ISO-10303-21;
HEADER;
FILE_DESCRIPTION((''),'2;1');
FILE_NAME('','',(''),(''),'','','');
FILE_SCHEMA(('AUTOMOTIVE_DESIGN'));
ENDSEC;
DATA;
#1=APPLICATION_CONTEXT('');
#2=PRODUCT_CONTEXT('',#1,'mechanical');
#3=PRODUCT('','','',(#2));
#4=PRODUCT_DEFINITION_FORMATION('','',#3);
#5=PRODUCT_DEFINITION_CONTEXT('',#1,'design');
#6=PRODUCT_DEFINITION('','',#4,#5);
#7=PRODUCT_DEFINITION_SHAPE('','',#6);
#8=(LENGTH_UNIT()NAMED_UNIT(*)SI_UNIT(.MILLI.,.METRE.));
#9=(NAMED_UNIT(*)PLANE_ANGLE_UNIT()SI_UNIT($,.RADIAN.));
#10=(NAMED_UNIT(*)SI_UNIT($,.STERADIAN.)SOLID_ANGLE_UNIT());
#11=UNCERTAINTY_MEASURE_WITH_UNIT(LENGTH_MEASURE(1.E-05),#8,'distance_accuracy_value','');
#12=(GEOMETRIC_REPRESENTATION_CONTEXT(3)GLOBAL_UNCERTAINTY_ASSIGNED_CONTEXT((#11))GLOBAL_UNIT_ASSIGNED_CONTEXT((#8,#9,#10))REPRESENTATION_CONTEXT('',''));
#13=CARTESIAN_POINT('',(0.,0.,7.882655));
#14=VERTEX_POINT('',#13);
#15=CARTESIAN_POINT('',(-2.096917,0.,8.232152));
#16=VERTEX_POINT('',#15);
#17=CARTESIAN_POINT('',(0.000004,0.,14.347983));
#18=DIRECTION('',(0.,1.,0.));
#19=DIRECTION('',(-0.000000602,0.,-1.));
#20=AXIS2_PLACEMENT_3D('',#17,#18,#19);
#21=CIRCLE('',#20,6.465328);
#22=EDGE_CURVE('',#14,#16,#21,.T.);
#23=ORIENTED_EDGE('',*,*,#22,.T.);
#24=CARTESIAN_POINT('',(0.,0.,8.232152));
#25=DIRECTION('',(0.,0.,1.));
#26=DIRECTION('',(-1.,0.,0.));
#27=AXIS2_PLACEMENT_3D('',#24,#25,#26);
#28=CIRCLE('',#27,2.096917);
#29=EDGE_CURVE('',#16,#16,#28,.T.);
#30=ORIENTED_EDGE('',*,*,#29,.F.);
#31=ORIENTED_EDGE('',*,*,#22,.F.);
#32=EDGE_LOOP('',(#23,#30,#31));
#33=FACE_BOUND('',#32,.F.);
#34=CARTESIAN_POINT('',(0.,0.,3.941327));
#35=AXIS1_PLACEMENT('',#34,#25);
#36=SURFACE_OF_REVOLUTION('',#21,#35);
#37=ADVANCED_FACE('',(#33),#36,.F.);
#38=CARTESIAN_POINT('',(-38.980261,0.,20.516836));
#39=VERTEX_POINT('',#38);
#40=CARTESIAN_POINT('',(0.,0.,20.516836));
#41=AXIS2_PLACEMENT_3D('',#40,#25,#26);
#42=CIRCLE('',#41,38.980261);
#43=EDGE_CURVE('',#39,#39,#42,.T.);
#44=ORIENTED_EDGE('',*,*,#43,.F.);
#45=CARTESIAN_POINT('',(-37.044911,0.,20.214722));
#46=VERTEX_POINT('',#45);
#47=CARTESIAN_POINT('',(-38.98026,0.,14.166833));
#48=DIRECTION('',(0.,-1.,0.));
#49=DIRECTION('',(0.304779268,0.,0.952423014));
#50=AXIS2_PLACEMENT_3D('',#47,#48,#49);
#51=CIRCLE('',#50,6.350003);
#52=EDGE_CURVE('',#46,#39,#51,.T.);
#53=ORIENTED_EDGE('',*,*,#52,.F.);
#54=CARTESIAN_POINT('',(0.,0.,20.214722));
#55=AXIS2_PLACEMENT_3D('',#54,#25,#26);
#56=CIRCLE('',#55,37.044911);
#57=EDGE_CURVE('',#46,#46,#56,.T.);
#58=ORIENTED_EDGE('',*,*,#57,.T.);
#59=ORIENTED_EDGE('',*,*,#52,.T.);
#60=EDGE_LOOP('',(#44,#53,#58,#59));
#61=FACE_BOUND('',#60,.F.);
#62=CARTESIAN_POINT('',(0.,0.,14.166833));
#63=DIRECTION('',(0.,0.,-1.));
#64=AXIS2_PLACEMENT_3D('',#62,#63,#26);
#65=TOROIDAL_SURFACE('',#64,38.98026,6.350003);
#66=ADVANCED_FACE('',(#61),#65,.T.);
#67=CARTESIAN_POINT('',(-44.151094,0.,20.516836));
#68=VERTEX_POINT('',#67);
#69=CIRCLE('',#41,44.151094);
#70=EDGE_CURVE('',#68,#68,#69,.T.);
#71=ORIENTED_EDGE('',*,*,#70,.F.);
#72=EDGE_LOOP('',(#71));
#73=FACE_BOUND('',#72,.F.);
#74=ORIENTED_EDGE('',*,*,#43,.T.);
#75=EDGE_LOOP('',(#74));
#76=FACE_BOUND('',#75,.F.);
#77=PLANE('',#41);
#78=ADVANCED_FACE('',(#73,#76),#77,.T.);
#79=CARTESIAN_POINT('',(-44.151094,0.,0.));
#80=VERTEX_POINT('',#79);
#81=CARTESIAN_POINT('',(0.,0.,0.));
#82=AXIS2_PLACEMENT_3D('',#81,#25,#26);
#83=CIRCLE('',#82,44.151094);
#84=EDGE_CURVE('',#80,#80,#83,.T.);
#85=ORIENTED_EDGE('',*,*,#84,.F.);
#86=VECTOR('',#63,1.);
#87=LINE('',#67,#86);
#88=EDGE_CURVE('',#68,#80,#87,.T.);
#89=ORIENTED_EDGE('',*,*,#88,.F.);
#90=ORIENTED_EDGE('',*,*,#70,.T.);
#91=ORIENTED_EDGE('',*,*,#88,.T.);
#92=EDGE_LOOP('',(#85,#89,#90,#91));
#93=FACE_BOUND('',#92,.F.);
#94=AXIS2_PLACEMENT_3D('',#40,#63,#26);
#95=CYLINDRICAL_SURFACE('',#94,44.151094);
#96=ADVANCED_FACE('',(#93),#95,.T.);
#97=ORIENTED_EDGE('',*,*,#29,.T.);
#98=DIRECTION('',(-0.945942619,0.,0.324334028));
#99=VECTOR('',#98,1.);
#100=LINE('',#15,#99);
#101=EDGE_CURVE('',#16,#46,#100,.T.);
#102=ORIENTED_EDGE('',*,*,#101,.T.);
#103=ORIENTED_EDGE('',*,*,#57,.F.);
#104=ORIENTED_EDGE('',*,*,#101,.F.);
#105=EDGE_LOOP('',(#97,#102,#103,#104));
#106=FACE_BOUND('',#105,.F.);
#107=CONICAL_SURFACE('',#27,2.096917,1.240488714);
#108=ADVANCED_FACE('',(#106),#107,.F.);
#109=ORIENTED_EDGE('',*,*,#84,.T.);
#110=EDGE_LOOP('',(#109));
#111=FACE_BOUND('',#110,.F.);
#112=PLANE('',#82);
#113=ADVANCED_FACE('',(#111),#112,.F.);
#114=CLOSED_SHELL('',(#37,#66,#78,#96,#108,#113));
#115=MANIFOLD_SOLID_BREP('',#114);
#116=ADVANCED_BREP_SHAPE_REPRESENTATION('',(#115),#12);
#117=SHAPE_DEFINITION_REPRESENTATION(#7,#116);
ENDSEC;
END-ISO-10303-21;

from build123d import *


with BuildPart() as f1:
    # F0 (on Front) → F1 (revolve)
    with BuildSketch(Plane.XZ):
        with BuildLine():
            Line((-44.151094, 20.516836), (-44.151094, 0))
            Line((-44.151094, 0), (0, 0))
            Line((0, 0), (0, 7.882655))
            ThreePointArc((0, 7.882655), (-1.062921, 7.970628), (-2.096917, 8.232152))
            Line((-2.096917, 8.232152), (-37.044911, 20.214722))
            ThreePointArc((-37.044911, 20.214722), (-38.000867, 20.440853), (-38.980261, 20.516836))
            Line((-38.980261, 20.516836), (-44.151094, 20.516836))
        make_face()
    revolve(axis=Axis((0, 0, 3.941327), (0, 0, 1)))


solid = f1.part
